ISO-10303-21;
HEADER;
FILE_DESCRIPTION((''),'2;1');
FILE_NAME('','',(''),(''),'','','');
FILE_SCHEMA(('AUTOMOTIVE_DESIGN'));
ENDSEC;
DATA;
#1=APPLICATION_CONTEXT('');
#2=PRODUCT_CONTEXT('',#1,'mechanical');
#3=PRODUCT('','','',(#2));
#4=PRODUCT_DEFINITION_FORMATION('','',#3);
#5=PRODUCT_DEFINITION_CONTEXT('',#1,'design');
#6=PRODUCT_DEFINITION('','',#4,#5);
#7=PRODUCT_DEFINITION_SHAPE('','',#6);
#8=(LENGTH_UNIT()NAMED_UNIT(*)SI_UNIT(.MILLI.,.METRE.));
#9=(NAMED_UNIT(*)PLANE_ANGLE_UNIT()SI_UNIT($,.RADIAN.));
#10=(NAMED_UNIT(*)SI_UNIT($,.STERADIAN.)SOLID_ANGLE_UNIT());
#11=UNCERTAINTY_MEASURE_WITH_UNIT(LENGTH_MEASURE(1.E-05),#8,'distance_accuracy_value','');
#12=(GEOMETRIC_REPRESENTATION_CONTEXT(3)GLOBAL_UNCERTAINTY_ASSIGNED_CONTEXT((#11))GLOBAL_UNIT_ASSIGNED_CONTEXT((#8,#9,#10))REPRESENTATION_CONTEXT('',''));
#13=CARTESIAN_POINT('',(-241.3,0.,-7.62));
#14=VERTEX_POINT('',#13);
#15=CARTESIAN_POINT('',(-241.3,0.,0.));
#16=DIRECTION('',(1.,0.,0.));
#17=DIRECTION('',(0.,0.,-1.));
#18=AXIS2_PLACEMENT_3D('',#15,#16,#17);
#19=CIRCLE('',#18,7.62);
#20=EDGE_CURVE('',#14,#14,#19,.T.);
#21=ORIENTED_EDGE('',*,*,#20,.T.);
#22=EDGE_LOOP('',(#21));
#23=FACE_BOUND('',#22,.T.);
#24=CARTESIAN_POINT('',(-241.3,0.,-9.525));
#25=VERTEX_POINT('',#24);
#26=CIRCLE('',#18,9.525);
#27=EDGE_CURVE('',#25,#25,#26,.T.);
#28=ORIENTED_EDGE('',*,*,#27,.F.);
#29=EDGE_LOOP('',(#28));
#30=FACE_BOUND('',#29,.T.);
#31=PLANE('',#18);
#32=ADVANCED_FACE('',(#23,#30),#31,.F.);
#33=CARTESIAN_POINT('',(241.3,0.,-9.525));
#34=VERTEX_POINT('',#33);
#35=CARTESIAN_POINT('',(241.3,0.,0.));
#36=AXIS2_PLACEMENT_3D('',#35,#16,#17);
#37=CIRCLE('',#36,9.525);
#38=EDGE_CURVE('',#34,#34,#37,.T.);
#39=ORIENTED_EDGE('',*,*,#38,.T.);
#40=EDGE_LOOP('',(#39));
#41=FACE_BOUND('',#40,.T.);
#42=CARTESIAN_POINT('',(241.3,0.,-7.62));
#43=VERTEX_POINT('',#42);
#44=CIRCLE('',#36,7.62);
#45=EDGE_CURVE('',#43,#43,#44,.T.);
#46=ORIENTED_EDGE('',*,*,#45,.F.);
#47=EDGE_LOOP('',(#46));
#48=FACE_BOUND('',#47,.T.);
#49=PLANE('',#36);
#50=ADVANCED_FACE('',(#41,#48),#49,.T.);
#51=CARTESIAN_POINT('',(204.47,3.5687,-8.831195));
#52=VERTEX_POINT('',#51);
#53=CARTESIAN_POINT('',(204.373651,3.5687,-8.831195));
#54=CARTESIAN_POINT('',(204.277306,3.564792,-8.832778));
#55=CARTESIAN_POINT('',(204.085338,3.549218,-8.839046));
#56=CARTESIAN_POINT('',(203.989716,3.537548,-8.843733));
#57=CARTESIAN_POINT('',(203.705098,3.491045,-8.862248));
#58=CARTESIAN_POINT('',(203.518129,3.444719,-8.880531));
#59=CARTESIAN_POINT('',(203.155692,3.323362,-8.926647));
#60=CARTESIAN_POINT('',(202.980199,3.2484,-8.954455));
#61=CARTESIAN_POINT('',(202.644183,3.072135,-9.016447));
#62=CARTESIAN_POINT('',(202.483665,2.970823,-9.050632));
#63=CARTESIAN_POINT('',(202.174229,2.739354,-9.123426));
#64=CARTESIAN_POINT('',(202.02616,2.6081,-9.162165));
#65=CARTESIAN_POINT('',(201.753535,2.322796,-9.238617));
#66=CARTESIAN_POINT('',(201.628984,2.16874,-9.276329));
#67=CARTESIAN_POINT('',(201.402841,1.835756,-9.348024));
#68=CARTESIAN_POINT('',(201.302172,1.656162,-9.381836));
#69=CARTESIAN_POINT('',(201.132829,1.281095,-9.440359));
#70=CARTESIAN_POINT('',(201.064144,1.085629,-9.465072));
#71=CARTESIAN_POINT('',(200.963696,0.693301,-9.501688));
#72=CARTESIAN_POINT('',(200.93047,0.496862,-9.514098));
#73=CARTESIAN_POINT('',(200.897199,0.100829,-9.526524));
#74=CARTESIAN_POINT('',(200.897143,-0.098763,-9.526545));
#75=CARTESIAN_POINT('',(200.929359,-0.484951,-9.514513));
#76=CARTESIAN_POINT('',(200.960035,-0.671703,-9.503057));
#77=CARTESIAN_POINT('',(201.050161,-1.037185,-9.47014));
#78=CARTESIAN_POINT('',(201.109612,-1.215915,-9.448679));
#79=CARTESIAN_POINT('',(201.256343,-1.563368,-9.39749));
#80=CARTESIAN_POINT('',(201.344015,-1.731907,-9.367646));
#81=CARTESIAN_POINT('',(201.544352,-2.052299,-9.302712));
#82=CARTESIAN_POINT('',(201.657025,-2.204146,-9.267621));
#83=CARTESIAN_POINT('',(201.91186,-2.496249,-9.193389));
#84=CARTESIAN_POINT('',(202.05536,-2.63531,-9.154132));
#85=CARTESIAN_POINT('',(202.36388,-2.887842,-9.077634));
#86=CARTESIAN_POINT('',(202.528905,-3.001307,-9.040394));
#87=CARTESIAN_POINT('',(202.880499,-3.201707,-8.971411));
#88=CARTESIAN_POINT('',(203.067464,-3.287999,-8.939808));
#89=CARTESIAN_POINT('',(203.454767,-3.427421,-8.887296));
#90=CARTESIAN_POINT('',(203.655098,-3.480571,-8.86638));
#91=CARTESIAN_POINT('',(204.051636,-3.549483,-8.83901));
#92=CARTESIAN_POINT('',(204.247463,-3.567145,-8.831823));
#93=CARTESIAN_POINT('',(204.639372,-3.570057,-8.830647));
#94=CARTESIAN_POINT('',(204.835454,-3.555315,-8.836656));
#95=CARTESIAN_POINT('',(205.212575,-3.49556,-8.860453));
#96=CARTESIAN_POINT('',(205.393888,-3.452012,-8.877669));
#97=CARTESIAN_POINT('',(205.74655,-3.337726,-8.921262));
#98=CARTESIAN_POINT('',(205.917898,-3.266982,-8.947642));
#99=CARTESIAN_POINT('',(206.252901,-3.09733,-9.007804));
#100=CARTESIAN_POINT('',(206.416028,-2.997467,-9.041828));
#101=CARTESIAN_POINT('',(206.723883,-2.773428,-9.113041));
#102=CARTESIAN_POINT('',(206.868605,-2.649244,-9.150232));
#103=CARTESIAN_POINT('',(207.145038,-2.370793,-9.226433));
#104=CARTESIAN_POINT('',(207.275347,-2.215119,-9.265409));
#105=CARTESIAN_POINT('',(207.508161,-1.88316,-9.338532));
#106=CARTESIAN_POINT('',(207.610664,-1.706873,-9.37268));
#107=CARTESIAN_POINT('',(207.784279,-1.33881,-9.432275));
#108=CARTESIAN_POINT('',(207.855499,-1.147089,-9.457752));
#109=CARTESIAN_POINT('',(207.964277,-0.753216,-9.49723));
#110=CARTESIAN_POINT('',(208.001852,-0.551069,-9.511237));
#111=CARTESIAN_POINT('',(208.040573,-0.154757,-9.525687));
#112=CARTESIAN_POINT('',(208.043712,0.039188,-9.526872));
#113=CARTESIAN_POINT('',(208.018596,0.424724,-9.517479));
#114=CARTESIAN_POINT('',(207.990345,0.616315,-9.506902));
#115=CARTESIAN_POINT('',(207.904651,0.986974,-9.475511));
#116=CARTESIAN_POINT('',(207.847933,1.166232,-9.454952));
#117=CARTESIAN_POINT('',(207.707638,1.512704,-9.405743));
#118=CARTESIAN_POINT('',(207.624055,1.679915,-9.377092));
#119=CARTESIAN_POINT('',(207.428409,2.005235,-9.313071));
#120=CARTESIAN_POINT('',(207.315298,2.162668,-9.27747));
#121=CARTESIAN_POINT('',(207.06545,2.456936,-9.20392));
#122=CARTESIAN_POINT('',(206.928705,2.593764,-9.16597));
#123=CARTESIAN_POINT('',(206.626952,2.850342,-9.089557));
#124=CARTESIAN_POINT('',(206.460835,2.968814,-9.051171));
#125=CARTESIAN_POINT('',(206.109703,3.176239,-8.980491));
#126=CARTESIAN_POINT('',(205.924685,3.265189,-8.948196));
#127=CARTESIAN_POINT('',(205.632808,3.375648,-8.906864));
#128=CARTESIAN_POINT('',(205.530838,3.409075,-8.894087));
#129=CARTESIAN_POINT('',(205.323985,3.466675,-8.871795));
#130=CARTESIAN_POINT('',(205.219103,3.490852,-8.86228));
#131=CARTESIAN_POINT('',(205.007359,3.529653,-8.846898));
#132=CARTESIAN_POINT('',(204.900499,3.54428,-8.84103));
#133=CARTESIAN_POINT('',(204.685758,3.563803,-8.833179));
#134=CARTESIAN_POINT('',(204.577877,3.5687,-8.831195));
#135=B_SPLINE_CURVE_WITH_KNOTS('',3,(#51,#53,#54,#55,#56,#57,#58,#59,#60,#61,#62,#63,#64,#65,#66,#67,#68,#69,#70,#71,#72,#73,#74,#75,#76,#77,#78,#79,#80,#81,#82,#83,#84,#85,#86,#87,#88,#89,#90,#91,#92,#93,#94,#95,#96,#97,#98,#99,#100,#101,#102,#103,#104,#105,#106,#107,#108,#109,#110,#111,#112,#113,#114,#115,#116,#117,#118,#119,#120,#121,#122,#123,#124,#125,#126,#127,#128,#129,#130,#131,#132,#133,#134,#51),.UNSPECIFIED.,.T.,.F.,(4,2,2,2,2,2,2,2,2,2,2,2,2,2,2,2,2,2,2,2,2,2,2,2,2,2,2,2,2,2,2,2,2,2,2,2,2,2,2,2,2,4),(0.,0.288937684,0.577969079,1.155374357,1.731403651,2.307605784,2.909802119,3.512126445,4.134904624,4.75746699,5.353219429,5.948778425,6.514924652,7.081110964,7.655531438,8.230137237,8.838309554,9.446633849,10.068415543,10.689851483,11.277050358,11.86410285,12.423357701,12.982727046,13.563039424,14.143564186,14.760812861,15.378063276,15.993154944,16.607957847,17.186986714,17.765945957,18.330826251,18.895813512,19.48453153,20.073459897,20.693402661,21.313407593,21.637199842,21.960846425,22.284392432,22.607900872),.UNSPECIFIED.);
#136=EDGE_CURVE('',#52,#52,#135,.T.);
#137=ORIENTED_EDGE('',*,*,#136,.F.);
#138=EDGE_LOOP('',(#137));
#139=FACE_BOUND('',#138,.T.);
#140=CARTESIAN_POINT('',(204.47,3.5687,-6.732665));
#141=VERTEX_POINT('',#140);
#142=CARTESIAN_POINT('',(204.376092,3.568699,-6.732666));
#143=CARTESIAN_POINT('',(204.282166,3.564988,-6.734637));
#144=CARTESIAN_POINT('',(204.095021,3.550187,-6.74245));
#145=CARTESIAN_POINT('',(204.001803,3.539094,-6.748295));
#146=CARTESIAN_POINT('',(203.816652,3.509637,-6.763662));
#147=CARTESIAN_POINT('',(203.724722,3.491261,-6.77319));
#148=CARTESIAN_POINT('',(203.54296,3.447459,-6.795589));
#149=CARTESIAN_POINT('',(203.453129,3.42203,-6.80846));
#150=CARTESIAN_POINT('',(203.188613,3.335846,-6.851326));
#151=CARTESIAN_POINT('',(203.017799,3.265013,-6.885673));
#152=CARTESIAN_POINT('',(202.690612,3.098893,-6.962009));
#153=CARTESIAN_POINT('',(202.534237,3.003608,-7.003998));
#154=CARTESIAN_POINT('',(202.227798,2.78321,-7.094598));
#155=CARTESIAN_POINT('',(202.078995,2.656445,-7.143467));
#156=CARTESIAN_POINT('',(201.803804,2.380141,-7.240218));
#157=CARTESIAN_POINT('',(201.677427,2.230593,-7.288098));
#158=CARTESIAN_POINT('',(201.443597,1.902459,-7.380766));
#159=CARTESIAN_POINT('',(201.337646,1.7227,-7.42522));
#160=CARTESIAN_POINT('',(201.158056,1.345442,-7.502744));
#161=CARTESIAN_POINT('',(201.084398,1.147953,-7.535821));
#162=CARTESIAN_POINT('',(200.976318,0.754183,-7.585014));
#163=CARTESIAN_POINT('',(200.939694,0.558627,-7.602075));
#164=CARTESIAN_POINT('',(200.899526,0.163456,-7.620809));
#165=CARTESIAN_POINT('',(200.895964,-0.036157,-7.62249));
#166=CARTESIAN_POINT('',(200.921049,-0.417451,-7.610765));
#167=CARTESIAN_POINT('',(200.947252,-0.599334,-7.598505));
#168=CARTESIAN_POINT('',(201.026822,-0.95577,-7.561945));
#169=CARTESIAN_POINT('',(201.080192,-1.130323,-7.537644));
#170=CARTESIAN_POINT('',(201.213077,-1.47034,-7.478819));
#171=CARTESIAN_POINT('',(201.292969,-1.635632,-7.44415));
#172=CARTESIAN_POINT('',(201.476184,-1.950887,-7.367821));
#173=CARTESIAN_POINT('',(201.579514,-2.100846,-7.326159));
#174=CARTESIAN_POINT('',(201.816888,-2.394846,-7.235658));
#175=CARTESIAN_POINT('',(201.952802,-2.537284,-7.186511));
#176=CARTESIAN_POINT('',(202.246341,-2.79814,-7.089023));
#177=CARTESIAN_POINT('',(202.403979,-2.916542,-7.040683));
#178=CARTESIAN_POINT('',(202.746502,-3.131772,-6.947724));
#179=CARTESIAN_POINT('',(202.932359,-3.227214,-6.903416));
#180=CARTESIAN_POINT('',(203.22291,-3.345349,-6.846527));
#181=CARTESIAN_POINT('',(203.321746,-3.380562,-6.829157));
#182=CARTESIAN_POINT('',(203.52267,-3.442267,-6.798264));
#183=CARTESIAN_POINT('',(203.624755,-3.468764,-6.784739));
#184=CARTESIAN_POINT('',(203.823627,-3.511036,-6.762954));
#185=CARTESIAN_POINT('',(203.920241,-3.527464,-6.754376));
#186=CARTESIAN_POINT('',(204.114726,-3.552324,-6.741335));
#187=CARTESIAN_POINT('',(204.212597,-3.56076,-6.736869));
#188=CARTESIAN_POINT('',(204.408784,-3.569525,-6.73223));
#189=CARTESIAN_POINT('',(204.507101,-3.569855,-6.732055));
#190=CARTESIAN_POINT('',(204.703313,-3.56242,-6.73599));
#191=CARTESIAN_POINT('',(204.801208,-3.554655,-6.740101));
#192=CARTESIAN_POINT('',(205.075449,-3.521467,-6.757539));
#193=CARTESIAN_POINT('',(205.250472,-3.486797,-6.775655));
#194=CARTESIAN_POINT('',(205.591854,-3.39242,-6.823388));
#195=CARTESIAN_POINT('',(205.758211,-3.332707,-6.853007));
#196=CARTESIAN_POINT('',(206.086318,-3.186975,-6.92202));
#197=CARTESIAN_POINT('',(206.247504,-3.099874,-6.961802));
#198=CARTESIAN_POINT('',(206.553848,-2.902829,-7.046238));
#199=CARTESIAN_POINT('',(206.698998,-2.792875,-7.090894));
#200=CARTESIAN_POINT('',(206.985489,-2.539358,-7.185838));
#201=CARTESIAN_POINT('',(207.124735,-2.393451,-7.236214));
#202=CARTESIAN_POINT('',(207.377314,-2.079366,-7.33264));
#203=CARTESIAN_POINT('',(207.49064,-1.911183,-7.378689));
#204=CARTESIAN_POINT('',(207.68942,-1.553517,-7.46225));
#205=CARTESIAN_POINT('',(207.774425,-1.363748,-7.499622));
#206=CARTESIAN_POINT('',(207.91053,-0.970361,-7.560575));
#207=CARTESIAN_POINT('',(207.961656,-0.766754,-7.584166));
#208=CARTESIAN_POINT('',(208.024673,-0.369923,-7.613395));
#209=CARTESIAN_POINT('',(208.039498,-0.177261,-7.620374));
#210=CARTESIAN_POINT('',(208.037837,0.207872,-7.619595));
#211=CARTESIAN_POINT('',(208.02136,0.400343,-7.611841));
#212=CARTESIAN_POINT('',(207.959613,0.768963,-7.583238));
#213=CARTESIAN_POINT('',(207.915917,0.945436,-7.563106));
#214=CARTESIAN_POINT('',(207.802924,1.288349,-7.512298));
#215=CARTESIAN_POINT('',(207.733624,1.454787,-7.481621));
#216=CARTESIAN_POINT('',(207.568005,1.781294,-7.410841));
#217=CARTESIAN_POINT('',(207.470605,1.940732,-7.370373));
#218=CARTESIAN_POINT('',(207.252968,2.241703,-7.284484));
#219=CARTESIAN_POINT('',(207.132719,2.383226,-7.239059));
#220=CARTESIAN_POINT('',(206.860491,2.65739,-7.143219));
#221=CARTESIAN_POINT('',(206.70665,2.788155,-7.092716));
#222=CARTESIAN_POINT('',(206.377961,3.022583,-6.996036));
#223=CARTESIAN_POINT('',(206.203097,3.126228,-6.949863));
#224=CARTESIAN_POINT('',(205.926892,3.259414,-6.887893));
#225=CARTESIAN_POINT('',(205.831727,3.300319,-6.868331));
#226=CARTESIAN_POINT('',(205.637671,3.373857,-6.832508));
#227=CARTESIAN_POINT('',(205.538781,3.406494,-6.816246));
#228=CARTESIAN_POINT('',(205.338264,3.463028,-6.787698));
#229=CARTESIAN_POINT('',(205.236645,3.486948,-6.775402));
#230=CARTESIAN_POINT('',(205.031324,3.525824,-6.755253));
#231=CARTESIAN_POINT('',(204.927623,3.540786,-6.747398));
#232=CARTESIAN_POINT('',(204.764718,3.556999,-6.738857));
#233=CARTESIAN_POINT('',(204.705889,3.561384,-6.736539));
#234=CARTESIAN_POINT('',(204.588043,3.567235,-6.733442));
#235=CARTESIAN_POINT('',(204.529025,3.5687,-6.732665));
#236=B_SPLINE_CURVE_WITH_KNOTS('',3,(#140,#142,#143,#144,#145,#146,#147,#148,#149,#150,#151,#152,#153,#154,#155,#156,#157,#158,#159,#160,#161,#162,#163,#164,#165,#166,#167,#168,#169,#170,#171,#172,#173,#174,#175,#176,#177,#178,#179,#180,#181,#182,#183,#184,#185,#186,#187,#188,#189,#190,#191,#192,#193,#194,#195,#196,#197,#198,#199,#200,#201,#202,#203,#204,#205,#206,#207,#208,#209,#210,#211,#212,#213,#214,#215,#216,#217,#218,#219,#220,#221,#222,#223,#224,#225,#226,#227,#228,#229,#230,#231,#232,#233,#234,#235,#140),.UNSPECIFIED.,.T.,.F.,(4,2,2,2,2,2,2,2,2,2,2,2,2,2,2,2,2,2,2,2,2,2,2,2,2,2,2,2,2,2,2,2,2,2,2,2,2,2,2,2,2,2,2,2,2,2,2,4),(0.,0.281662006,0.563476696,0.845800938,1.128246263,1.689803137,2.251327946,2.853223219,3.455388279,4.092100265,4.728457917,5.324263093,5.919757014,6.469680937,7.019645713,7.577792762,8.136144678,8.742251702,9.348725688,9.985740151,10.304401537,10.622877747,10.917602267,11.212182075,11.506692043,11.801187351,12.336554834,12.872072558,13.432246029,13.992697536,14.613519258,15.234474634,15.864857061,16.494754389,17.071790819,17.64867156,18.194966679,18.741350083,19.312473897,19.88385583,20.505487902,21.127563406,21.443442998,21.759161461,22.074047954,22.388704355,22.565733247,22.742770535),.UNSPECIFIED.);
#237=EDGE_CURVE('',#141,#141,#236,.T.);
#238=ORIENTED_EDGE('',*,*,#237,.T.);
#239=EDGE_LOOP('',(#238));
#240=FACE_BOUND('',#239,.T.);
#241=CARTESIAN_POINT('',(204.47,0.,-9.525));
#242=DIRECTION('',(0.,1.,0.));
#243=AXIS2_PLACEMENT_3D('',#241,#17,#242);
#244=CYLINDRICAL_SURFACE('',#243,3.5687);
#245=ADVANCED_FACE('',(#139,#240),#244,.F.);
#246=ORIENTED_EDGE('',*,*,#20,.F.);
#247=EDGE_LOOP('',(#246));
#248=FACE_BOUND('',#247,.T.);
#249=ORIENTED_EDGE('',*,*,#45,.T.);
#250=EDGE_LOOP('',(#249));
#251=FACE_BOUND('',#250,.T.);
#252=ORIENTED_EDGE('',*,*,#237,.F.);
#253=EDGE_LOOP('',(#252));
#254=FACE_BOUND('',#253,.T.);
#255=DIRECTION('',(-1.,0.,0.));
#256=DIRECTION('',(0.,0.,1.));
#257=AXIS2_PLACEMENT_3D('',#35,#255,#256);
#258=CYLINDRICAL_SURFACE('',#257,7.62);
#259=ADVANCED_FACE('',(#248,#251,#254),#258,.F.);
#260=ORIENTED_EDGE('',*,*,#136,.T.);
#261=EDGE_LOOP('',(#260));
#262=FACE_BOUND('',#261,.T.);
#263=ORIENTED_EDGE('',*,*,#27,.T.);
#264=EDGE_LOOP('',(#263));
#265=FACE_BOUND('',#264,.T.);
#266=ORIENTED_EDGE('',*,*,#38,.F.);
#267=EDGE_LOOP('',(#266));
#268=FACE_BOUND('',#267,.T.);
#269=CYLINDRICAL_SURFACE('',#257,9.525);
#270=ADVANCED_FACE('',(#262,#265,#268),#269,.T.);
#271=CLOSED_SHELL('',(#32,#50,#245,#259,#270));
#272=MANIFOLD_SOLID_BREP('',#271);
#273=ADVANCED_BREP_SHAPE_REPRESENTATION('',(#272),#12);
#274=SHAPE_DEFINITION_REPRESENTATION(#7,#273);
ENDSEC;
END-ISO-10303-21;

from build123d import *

# Parameters (mm, degrees)
SKETCH1_R                    = 9.525
SKETCH1_R_2                  = 7.62
EXTRUDE_THIN1_DEPTH          = 241.3
K_0_281_DIAMETER_HOLE1_D     = 7.1374
K_0_281_DIAMETER_HOLE1_DEPTH = 9.524
K_0_281_DIAMETER_HOLE1_TIP   = 2.144291291


with BuildPart() as part:
    # Sketch1 → Extrude-Thin1 (new, symmetric)
    with BuildSketch(Plane(origin=(0, 0, 0), x_dir=(0, 0, -1), z_dir=(1, 0, 0))):
        Circle(SKETCH1_R)
        Circle(SKETCH1_R_2, mode=Mode.SUBTRACT)
    extrude(amount=EXTRUDE_THIN1_DEPTH, both=True)

    # K (0.281) Diameter Hole1
    with Locations(Plane(origin=(204.47, 0, -9.525), x_dir=(-1, 0, 0), z_dir=(0, 0, -1))):
        with Locations((0, 0)):
            Hole(K_0_281_DIAMETER_HOLE1_D / 2, depth=K_0_281_DIAMETER_HOLE1_DEPTH)
            with Locations((0, 0, -(K_0_281_DIAMETER_HOLE1_DEPTH + K_0_281_DIAMETER_HOLE1_TIP / 2))):  # 118° drill point
                Cone(0, K_0_281_DIAMETER_HOLE1_D / 2, K_0_281_DIAMETER_HOLE1_TIP, mode=Mode.SUBTRACT)


solid = part.part
